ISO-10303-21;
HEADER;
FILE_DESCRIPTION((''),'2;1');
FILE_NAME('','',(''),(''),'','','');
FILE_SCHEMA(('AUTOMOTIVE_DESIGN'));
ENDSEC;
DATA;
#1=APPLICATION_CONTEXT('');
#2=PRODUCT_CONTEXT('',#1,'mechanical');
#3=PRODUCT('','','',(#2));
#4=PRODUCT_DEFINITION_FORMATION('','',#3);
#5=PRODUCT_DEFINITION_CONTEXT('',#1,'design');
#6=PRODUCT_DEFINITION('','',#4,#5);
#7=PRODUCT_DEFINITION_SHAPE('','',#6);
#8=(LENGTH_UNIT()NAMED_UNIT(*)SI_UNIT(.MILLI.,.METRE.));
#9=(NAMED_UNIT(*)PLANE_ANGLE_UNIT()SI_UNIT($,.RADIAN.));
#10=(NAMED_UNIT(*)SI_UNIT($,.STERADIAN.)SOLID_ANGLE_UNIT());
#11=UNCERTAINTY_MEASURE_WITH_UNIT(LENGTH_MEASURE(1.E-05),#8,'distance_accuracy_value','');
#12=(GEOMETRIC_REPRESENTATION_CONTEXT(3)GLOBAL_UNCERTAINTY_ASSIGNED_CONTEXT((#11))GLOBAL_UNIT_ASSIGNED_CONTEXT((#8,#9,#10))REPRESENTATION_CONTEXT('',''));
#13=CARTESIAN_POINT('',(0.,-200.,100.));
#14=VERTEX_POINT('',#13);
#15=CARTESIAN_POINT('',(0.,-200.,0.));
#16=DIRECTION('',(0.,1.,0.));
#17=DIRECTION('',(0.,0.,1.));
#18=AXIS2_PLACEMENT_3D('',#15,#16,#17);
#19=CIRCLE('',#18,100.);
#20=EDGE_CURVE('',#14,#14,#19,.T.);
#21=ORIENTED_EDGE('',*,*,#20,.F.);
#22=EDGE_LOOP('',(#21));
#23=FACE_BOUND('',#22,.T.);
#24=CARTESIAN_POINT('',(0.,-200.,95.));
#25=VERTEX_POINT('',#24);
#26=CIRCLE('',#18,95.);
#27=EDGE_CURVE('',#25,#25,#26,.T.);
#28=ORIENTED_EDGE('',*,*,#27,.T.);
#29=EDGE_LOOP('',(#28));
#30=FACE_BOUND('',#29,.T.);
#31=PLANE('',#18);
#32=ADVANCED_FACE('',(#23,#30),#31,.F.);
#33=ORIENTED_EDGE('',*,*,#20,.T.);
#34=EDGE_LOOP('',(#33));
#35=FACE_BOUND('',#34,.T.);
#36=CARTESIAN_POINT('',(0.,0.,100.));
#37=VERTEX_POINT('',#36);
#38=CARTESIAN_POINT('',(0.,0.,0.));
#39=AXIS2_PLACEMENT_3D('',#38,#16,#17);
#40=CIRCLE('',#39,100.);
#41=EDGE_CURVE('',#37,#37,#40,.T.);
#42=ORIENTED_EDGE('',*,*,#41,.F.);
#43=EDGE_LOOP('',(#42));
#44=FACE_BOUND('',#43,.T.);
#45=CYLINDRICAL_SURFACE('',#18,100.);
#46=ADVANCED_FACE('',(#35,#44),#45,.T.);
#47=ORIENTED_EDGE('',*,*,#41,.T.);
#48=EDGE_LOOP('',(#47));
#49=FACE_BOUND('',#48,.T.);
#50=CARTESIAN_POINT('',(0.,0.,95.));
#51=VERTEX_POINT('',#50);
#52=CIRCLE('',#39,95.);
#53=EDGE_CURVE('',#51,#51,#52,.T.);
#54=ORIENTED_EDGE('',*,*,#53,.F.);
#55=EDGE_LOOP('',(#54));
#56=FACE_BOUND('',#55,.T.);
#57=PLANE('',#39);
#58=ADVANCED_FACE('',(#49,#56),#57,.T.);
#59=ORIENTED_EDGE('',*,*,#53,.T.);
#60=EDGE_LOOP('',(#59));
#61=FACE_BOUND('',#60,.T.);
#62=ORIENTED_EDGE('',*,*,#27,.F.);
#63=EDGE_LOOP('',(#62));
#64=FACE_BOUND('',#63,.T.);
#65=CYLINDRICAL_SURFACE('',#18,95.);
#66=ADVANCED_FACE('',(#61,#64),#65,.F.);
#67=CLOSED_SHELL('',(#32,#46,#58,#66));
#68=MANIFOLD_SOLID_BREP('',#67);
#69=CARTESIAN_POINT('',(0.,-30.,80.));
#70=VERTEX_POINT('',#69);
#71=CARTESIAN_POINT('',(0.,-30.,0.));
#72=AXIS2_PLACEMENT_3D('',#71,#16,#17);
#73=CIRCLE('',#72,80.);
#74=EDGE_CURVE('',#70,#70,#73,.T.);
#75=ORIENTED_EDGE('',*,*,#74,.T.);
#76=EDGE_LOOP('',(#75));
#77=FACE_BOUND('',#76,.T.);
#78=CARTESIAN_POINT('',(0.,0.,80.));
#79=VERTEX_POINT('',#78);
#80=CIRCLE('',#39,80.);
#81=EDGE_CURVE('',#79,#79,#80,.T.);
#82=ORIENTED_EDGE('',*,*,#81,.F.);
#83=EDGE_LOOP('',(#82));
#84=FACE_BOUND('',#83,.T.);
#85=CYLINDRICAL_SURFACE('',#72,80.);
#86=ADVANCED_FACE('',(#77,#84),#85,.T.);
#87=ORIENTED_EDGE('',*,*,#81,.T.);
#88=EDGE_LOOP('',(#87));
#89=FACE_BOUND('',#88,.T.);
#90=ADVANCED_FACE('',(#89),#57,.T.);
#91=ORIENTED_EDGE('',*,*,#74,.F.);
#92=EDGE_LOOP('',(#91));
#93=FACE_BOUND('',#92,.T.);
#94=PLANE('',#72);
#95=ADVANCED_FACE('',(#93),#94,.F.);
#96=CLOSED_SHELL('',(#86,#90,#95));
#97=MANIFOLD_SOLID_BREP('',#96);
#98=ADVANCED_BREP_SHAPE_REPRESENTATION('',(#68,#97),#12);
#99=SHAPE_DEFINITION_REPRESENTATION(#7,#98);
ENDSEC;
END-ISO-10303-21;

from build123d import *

# Parameters (mm, degrees)
SKETCH_6_R      = 100
SKETCH_6_R_2    = 95
EXTRUDE_1_DEPTH = 200
SKETCH_7_R      = 80
EXTRUDE_2_DEPTH = 30


with BuildPart() as part:
    # 草图6 → 凸台-拉伸1 (new body)
    with BuildSketch(Plane(origin=(0, 0, 0), x_dir=(1, 0, 0), z_dir=(0, 1, 0))):
        with Locations(Location((0, 0, 0), (0, 0, 270))):
            Circle(SKETCH_6_R)
        with Locations(Location((0, 0, 0), (0, 0, 270))):
            Circle(SKETCH_6_R_2, mode=Mode.SUBTRACT)
    extrude(amount=-EXTRUDE_1_DEPTH)


with BuildPart() as body_2:
    # 草图7 → 凸台-拉伸2 (new body)
    with BuildSketch(Plane(origin=(0, 0, 0), x_dir=(1, 0, 0), z_dir=(0, 1, 0))):
        with Locations(Location((0, 0, 0), (0, 0, 270))):
            Circle(SKETCH_7_R)
    extrude(amount=-EXTRUDE_2_DEPTH)


solid = Compound([part.part, body_2.part])
